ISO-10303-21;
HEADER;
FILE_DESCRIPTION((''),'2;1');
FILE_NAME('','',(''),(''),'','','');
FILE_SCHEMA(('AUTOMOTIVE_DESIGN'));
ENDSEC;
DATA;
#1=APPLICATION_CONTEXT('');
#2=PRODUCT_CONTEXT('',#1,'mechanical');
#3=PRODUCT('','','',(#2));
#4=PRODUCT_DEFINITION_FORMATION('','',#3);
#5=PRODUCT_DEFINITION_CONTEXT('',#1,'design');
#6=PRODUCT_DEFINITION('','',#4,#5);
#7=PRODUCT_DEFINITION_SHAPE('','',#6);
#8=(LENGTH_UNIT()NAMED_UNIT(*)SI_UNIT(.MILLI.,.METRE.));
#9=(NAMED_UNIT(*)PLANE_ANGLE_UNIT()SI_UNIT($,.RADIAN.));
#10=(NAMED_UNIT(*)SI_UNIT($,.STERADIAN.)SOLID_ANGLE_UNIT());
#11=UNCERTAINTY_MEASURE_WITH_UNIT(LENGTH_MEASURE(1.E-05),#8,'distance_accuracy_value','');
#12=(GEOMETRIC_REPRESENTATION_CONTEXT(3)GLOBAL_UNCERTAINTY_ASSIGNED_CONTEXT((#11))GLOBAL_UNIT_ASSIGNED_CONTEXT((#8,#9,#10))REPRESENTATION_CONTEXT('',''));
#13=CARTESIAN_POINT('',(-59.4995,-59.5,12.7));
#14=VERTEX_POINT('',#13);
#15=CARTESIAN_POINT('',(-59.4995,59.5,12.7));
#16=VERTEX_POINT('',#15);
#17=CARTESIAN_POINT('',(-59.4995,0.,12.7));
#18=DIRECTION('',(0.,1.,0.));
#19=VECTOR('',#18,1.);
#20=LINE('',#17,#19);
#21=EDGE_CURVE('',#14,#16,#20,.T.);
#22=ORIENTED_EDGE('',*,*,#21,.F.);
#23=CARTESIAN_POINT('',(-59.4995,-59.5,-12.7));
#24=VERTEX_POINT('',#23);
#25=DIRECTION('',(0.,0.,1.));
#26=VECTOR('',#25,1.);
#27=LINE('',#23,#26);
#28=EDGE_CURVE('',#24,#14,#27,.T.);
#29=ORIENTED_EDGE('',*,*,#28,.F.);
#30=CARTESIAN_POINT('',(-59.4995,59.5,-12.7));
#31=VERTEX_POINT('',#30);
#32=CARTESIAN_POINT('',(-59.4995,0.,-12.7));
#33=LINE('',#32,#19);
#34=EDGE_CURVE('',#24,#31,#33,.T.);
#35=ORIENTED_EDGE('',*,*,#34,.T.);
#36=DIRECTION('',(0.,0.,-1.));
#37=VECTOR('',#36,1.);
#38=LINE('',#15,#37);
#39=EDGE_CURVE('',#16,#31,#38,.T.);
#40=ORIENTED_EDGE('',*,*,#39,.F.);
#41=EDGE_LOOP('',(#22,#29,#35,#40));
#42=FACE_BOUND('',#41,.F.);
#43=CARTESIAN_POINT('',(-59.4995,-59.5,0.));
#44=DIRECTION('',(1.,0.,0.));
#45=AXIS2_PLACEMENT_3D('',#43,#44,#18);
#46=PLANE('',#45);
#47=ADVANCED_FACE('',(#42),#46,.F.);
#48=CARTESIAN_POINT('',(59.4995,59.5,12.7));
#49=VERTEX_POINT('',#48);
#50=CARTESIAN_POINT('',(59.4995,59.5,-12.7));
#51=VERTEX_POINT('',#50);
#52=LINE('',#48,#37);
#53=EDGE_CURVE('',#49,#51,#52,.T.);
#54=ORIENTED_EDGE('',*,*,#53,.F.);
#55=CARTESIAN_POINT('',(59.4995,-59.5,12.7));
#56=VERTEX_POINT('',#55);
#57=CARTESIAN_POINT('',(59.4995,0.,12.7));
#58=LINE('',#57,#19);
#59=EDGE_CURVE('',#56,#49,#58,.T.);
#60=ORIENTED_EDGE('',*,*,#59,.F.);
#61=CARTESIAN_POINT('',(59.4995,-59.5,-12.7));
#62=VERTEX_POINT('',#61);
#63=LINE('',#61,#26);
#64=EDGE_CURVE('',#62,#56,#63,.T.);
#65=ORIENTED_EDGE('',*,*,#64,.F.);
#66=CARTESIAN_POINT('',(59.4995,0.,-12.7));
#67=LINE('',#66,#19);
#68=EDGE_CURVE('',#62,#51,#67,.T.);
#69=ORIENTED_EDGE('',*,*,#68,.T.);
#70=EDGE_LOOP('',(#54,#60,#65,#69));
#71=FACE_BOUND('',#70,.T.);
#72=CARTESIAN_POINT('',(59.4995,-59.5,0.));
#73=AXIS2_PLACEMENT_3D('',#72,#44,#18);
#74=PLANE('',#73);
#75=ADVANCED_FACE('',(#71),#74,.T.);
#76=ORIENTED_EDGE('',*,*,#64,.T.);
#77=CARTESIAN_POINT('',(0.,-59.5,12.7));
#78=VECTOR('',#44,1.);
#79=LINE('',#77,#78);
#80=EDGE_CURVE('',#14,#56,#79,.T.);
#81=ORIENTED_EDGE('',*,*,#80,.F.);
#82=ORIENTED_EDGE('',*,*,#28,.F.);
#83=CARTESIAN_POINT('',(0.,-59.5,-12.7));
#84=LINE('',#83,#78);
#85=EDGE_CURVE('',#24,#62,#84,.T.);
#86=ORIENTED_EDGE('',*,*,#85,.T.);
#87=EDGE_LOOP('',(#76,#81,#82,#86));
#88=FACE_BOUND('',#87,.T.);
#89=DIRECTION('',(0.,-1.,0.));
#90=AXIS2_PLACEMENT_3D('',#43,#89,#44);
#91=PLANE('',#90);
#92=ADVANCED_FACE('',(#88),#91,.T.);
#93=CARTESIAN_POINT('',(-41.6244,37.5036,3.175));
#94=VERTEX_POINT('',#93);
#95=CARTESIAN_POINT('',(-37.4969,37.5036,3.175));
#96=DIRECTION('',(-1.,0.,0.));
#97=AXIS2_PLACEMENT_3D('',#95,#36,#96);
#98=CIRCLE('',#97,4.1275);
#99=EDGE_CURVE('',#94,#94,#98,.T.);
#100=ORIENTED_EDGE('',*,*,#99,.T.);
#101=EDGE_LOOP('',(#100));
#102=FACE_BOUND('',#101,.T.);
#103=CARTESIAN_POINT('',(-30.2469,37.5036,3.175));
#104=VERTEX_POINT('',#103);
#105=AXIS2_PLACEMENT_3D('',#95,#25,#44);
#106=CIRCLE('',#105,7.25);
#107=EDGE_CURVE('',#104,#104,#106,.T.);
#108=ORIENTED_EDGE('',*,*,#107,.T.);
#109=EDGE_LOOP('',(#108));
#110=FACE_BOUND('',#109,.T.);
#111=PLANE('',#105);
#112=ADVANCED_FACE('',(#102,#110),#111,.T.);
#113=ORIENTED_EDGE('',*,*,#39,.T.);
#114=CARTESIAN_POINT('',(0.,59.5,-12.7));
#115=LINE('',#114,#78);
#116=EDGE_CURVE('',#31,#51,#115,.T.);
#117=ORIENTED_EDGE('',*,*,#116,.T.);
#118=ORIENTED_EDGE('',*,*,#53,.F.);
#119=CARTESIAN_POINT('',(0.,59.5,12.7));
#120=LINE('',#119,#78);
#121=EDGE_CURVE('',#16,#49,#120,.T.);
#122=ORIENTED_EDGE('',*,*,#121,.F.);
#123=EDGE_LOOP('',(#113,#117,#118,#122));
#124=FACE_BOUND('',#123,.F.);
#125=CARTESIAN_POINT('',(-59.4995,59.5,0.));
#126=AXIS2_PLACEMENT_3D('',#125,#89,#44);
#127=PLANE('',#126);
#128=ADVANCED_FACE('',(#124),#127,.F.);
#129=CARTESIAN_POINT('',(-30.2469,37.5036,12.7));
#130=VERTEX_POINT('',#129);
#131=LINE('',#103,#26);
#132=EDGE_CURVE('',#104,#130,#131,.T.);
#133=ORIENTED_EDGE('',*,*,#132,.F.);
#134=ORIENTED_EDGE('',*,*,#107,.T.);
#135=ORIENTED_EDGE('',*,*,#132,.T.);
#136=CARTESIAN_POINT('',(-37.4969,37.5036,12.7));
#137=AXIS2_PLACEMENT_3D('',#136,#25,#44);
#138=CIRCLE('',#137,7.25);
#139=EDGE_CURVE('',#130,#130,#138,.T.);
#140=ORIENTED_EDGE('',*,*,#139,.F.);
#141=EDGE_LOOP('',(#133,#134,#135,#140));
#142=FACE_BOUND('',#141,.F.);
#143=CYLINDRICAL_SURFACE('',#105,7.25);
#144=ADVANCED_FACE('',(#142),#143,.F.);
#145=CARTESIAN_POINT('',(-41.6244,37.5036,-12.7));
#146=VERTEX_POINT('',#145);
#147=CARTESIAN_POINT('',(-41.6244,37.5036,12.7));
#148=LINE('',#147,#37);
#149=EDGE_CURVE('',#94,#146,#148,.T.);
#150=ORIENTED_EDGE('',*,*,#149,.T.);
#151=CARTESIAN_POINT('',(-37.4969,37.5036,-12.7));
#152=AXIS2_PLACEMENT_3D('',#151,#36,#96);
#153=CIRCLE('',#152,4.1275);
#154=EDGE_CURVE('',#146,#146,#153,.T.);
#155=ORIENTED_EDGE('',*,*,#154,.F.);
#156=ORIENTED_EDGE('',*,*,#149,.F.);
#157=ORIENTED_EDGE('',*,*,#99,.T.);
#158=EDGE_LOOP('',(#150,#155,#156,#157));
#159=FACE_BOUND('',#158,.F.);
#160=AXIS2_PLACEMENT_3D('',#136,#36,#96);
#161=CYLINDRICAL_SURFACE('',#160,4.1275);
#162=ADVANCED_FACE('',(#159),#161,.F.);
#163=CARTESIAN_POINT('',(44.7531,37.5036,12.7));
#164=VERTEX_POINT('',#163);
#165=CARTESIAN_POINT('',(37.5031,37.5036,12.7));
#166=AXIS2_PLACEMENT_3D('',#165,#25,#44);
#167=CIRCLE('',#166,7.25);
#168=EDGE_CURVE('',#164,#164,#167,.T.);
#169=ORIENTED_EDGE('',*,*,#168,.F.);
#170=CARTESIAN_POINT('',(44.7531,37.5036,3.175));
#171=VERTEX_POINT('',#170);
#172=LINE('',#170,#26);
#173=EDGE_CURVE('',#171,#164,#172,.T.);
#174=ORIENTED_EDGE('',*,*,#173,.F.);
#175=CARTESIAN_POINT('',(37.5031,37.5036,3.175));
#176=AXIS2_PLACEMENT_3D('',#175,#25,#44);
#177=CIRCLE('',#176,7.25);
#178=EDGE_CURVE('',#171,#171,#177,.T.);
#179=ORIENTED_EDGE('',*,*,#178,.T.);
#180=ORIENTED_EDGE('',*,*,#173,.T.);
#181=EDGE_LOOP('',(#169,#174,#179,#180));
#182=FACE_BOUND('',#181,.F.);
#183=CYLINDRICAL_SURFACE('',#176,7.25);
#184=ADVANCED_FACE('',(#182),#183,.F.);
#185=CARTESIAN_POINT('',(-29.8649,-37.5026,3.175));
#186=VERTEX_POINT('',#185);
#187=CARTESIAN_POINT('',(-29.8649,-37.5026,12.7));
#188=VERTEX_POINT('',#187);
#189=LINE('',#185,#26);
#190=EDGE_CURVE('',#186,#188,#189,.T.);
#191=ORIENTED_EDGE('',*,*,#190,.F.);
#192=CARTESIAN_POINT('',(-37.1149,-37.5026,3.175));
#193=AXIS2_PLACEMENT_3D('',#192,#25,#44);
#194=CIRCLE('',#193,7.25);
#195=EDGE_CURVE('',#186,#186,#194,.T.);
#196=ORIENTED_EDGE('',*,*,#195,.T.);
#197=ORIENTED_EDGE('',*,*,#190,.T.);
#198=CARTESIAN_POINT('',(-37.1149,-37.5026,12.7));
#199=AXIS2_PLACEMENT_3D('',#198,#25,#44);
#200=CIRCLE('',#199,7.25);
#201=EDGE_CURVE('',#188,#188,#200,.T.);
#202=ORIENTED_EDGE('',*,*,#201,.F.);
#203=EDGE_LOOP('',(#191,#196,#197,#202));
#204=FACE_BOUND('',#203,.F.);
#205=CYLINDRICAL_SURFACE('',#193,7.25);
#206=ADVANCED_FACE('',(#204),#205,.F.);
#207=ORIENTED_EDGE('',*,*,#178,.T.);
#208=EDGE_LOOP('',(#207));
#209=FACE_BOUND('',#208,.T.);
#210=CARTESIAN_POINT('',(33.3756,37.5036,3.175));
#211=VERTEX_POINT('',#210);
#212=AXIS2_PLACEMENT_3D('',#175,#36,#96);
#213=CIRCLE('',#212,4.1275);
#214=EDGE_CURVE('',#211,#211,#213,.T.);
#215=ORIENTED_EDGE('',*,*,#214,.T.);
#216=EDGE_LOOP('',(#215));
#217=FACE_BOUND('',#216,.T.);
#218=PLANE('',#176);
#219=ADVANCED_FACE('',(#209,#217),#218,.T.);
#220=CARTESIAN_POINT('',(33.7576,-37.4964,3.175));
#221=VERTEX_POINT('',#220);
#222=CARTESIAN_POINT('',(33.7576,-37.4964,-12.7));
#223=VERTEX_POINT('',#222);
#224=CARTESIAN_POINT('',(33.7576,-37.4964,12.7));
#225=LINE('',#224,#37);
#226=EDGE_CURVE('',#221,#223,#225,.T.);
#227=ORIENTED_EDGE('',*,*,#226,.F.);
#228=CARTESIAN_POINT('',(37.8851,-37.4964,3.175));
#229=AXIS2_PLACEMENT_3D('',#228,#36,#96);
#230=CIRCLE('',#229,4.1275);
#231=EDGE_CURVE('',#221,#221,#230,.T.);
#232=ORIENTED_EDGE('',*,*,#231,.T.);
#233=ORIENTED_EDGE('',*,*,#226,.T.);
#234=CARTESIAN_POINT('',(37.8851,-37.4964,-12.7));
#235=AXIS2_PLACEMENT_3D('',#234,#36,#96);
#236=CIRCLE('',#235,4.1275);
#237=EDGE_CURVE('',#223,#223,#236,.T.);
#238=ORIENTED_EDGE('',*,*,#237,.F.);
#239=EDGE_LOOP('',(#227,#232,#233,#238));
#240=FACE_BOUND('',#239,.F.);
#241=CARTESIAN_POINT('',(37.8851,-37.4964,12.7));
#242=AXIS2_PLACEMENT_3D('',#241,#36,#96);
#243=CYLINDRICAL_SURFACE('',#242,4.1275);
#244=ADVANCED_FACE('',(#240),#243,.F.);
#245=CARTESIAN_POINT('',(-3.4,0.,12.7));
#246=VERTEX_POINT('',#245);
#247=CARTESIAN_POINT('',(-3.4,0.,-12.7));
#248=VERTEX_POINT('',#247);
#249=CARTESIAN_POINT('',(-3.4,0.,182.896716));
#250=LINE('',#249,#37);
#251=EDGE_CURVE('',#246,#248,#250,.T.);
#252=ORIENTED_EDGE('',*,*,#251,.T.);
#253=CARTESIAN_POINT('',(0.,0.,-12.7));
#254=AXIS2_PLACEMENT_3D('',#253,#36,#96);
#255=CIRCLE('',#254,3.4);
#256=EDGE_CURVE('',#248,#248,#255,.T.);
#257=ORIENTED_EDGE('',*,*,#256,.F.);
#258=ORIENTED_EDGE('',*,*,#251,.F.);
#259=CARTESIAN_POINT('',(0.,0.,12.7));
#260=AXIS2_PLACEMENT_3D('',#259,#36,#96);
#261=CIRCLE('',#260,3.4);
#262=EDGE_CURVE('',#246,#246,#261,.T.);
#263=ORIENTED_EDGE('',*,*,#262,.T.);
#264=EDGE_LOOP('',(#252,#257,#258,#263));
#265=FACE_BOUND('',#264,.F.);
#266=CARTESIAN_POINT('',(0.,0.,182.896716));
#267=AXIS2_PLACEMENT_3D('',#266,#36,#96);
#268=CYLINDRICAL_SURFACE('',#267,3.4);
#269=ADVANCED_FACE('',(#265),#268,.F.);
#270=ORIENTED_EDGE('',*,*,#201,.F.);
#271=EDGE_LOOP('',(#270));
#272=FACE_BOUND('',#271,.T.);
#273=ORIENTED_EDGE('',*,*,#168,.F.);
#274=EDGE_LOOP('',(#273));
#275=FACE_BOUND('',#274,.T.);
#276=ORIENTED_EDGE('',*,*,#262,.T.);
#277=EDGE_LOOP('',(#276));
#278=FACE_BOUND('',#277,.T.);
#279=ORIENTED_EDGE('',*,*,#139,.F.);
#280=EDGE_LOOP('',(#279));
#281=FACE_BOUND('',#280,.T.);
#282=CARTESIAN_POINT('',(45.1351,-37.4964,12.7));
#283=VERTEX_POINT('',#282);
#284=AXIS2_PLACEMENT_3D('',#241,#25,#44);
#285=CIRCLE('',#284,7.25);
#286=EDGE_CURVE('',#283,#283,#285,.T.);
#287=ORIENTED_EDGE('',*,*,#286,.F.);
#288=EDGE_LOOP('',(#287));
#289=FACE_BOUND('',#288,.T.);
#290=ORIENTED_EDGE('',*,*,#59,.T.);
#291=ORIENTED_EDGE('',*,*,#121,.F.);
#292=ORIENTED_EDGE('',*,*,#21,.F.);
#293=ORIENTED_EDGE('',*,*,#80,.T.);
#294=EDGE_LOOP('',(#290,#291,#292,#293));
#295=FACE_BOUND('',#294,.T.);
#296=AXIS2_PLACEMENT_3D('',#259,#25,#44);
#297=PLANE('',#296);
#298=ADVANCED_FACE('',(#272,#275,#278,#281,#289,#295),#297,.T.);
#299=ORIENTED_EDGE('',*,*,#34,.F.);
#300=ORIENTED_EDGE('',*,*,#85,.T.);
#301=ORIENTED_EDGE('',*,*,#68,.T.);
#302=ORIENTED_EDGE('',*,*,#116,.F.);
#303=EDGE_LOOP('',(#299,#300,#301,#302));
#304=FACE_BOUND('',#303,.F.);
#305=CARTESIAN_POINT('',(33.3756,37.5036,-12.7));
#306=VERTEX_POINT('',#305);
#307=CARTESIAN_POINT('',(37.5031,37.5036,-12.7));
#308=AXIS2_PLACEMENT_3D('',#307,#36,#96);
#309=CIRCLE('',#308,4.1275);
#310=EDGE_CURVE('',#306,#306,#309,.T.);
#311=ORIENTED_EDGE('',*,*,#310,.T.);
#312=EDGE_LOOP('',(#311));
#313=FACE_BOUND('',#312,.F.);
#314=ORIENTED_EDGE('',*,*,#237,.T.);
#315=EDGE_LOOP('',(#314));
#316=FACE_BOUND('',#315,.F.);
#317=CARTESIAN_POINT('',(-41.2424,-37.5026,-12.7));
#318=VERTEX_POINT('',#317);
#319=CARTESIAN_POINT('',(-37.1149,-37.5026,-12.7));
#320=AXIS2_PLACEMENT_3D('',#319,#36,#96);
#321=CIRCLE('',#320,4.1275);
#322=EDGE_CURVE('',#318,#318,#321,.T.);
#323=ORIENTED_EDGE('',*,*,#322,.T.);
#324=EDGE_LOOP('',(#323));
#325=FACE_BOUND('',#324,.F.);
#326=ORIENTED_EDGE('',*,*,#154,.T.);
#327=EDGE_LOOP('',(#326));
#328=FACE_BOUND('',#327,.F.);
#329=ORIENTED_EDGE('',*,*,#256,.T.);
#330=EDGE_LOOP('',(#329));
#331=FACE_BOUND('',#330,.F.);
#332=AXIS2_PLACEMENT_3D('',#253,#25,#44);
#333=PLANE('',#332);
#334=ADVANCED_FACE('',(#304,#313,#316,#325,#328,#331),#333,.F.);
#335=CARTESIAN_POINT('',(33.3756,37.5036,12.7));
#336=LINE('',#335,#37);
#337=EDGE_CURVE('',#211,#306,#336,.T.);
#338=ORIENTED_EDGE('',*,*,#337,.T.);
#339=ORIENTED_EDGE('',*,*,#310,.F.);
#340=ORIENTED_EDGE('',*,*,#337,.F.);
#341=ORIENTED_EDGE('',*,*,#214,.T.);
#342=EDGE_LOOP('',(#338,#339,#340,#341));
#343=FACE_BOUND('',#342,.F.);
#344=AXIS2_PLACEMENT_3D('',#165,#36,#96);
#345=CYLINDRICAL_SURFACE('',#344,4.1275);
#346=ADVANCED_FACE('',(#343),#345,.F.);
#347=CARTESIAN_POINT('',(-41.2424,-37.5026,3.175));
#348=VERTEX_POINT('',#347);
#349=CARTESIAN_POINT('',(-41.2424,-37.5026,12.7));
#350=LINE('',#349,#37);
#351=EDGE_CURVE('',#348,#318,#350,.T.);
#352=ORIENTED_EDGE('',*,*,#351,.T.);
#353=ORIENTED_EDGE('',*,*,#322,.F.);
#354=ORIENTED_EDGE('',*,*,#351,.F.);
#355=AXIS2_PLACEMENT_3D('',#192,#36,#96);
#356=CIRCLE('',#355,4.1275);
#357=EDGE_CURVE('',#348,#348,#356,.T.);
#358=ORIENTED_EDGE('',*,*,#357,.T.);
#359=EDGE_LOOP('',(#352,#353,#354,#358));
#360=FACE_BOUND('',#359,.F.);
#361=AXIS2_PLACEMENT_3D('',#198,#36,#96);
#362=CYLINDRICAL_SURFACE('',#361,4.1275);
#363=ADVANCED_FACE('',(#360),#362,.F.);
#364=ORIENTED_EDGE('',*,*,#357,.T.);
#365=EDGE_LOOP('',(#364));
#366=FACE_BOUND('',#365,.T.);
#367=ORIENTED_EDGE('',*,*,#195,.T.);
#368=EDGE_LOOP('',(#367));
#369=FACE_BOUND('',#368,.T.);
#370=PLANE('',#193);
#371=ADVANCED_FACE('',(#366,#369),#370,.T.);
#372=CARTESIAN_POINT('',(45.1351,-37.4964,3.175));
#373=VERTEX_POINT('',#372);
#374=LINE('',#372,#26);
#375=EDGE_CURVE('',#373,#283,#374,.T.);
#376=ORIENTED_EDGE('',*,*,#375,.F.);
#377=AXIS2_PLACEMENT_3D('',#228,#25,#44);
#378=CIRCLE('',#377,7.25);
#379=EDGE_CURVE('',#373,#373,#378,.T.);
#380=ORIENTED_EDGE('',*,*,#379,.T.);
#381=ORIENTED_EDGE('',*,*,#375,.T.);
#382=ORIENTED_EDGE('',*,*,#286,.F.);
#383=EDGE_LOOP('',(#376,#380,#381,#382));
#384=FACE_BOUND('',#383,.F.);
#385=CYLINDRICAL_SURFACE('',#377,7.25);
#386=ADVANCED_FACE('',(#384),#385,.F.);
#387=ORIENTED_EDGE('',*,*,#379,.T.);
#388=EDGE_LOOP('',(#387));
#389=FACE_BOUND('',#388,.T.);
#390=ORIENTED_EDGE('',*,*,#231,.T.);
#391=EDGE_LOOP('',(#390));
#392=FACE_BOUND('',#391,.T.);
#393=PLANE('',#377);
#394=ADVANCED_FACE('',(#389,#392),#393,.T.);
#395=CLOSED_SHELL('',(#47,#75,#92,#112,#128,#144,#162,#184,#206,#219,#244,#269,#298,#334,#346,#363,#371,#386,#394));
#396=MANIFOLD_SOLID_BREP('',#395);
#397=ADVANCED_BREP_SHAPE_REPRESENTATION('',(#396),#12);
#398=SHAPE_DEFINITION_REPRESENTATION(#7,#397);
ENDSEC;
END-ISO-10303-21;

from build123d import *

# Parameters (mm, degrees)
F0_W           = 118.999
F0_H           = 119
F1_DEPTH       = 12.7
F3_D           = 8.255
F3_CBORE_D     = 14.5
F3_CBORE_DEPTH = 9.525
F5_D           = 6.8


with BuildPart() as f1:
    # F0 (on Top) → F1 (new body, symmetric)
    with BuildSketch(Plane.XY):
        Rectangle(F0_W, F0_H)
    extrude(amount=F1_DEPTH, both=True)

    # F3 (through all)
    with Locations(Plane.XY.offset(12.7)):
        with Locations((-37.1149003506, -37.5026), (-37.4969, 37.5036), (37.5031, 37.5036), (37.8850996494, -37.4964)):
            CounterBoreHole(F3_D / 2, F3_CBORE_D / 2, F3_CBORE_DEPTH)

    # F5 (through all)
    with Locations(Plane.XY.offset(12.7)):
        with Locations((0, 0)):
            Hole(F5_D / 2)


solid = f1.part
